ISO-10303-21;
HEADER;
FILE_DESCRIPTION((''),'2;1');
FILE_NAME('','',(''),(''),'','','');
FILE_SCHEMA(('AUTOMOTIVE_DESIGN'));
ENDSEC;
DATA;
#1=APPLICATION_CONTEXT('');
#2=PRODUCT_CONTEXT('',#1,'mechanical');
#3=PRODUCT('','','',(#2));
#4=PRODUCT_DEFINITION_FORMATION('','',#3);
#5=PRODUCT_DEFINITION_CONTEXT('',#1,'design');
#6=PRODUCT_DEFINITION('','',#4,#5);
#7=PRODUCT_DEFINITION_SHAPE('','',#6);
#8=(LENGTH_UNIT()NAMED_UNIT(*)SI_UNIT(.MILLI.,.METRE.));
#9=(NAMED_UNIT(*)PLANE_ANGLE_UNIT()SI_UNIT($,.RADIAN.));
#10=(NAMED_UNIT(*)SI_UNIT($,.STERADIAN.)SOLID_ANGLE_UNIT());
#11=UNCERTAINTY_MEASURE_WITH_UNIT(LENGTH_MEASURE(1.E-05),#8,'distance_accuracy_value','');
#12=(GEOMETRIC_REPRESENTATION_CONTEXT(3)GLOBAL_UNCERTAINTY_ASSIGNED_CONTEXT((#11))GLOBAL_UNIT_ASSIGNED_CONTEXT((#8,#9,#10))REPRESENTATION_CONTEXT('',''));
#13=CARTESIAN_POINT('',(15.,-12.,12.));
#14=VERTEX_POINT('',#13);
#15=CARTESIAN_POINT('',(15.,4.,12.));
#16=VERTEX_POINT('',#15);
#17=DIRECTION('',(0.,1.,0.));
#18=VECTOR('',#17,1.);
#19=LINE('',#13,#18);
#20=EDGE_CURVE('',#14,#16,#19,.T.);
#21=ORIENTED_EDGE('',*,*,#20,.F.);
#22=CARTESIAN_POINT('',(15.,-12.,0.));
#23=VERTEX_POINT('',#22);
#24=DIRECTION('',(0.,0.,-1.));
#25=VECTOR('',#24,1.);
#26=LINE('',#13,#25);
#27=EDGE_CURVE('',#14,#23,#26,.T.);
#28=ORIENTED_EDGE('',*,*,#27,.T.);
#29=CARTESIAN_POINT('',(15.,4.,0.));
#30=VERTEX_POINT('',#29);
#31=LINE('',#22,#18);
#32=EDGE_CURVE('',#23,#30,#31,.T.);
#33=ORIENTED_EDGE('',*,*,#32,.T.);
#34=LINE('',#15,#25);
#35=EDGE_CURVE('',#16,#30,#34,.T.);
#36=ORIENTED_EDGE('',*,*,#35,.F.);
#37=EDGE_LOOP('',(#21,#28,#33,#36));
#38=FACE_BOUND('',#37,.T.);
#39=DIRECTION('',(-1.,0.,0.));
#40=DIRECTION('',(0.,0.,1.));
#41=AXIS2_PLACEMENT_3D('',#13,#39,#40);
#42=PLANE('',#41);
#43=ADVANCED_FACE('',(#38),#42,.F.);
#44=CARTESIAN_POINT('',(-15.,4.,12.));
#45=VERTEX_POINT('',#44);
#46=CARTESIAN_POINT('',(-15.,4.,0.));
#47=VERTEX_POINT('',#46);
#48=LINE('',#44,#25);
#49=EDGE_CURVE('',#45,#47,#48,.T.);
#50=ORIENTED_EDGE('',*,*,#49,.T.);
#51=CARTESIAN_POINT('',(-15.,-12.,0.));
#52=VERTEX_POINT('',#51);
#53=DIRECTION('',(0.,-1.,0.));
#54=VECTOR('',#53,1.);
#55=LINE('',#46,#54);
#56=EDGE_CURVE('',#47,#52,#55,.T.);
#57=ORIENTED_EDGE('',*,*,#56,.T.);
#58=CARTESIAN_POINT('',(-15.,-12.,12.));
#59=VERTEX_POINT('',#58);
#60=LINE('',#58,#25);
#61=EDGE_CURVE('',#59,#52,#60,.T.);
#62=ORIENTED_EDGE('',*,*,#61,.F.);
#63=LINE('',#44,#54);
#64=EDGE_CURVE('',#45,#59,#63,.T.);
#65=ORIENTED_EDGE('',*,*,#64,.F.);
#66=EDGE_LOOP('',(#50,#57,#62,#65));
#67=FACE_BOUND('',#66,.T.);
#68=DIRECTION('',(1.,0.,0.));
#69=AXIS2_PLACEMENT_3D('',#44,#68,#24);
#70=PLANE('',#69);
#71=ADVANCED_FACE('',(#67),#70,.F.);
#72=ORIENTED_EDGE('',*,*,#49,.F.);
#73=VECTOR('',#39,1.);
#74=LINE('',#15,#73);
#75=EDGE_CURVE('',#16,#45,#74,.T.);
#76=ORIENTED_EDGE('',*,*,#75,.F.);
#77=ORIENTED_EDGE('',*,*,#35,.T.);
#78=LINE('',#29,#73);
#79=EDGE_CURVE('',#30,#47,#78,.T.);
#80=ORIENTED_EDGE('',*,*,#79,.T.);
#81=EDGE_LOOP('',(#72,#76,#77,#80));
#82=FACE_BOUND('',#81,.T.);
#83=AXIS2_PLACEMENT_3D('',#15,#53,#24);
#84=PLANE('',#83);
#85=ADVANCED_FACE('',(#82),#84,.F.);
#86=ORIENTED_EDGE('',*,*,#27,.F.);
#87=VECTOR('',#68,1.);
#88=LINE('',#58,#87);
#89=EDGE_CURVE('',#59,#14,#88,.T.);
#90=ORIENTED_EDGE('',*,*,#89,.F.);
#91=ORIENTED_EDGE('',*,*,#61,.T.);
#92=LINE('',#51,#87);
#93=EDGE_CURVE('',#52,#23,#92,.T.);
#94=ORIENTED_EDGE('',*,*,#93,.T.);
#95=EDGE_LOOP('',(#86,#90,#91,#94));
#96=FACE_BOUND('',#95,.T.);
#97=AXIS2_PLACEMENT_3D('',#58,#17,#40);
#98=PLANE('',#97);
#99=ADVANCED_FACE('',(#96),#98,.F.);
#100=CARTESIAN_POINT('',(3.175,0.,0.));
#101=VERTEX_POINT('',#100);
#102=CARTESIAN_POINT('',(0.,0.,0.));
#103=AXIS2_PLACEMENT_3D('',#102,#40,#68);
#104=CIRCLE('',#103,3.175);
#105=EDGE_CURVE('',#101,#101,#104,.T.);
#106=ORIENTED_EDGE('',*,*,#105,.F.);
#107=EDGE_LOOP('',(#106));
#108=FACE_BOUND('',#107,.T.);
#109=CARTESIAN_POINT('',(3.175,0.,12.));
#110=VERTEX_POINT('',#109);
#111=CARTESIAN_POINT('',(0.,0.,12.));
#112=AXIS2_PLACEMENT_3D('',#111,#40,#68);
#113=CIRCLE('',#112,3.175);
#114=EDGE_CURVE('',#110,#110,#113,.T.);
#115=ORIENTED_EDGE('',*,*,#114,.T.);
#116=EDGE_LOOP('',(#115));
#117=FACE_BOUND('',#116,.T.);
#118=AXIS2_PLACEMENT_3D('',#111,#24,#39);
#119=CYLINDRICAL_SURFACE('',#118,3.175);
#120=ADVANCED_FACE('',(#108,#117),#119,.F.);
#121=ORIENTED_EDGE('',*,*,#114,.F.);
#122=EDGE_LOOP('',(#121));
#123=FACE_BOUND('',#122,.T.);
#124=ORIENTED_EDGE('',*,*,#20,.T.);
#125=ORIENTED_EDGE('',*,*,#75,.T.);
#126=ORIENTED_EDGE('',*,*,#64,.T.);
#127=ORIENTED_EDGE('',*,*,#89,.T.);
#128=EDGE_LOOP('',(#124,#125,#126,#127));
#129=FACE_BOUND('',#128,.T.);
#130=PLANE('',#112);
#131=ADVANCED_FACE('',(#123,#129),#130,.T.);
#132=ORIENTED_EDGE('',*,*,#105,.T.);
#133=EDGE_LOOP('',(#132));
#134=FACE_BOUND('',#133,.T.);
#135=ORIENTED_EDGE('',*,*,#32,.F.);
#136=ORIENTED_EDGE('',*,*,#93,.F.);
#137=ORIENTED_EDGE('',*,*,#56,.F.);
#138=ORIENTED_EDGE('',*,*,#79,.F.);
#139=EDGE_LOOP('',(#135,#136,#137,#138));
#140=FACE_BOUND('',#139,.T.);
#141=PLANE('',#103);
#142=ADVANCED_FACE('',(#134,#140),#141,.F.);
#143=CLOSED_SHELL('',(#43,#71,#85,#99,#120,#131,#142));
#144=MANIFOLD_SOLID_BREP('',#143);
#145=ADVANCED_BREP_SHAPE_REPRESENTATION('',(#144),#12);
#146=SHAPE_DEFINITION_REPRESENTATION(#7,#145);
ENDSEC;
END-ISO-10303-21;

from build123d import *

# Parameters (mm, degrees)
SKETCH1_W           = 30
SKETCH1_H           = 16
SKETCH1_R           = 3.175
BOSS_EXTRUDE1_DEPTH = 12


with BuildPart() as part:
    # Sketch1 → Boss-Extrude1 (new body)
    with BuildSketch(Plane.XY):
        with Locations((0, -4)):
            Rectangle(SKETCH1_W, SKETCH1_H)
        Circle(SKETCH1_R, mode=Mode.SUBTRACT)
    extrude(amount=BOSS_EXTRUDE1_DEPTH)


solid = part.part
